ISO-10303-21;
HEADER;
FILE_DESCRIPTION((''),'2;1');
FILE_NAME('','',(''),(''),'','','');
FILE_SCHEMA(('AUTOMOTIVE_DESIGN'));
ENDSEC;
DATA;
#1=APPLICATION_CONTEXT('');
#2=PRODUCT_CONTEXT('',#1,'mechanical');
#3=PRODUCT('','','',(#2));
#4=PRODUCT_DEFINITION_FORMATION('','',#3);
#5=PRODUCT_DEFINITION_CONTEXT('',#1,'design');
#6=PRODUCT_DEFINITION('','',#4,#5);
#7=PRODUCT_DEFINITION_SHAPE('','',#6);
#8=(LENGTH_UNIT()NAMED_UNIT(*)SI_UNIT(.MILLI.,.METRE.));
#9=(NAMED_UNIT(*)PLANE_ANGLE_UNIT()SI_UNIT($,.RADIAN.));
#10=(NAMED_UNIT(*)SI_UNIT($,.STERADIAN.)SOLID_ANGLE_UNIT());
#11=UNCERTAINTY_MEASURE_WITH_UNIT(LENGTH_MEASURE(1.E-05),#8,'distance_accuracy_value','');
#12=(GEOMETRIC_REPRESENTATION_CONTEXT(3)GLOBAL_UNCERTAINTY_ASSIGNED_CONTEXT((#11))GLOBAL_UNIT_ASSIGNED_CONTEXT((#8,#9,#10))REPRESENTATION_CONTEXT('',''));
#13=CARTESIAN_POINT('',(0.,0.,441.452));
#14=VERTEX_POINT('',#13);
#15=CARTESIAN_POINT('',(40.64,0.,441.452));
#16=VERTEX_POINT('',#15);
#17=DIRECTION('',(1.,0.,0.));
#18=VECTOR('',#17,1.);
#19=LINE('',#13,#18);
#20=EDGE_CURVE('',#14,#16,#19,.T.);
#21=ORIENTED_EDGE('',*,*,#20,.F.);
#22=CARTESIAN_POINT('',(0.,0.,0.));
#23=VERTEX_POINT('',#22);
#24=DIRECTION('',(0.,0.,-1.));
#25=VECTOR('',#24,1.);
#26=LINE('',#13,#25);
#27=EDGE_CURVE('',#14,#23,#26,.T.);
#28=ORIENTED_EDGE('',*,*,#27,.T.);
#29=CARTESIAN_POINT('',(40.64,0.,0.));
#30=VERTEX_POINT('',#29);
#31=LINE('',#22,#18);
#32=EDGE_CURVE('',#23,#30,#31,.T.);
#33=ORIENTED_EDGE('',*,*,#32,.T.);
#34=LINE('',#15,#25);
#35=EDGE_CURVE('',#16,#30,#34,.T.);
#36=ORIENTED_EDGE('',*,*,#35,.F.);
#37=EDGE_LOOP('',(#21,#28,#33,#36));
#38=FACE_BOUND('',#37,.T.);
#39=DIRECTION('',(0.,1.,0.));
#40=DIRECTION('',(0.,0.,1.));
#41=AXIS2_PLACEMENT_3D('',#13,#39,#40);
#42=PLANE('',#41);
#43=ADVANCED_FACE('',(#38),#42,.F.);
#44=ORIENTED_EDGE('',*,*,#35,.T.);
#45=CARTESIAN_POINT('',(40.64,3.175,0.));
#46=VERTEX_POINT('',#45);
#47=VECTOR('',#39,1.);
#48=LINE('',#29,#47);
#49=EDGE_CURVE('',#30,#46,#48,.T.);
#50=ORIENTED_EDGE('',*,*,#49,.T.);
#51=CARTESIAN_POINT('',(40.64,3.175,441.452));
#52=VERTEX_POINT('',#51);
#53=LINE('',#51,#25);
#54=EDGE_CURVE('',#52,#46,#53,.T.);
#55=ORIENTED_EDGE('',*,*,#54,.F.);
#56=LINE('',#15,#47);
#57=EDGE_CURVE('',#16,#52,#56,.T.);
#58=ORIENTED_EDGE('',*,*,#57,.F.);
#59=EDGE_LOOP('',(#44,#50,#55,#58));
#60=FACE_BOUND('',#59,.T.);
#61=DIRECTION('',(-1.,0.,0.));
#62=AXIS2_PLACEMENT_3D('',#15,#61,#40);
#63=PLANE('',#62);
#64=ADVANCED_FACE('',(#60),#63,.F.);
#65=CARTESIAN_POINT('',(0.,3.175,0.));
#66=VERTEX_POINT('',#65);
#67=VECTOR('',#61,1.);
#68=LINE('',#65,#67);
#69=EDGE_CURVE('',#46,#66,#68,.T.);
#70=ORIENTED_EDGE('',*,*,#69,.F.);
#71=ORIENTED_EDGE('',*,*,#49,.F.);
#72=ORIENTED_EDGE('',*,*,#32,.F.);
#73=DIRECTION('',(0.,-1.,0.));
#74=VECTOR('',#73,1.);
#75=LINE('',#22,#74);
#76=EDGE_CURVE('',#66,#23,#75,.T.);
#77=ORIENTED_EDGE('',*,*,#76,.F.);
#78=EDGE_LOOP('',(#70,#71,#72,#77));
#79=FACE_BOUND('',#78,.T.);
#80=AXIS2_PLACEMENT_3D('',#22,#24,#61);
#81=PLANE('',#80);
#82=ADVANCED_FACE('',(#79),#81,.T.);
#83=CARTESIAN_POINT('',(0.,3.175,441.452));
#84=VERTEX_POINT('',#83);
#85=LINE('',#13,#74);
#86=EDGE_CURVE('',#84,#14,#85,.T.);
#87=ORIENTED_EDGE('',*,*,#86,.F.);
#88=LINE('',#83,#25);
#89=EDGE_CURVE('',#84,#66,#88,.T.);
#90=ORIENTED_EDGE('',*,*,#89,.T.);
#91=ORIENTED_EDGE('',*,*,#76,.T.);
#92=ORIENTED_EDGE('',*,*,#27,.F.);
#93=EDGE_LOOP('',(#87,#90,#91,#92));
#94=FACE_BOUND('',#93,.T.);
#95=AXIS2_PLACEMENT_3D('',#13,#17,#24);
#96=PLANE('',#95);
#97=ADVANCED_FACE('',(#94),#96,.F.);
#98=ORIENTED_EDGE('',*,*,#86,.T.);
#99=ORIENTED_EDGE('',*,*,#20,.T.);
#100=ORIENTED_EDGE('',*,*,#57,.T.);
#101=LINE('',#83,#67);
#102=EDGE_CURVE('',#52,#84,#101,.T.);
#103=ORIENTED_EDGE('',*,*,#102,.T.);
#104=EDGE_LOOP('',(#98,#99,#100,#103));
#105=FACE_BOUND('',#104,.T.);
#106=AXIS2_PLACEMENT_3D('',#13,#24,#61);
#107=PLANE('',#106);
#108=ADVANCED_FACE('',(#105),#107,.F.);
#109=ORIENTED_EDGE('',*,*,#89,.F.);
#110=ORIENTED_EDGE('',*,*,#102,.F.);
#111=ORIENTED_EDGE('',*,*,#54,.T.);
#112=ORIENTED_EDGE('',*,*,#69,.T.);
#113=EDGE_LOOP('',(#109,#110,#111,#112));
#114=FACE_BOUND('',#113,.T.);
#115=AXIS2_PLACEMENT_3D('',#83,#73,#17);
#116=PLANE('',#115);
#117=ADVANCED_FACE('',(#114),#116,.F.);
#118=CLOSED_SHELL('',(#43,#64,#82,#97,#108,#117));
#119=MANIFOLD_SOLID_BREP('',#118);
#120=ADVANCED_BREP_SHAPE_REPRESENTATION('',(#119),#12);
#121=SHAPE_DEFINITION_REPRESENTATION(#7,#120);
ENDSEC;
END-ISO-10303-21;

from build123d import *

# Parameters (mm, degrees)
SKETCH1_W           = 40.64
SKETCH1_H           = 3.175
BOSS_EXTRUDE1_DEPTH = 441.452


with BuildPart() as part:
    # Sketch1 → Boss-Extrude1 (new body)
    with BuildSketch(Plane.XY):
        with Locations((20.32, 1.5875)):
            Rectangle(SKETCH1_W, SKETCH1_H)
    extrude(amount=BOSS_EXTRUDE1_DEPTH)


solid = part.part
